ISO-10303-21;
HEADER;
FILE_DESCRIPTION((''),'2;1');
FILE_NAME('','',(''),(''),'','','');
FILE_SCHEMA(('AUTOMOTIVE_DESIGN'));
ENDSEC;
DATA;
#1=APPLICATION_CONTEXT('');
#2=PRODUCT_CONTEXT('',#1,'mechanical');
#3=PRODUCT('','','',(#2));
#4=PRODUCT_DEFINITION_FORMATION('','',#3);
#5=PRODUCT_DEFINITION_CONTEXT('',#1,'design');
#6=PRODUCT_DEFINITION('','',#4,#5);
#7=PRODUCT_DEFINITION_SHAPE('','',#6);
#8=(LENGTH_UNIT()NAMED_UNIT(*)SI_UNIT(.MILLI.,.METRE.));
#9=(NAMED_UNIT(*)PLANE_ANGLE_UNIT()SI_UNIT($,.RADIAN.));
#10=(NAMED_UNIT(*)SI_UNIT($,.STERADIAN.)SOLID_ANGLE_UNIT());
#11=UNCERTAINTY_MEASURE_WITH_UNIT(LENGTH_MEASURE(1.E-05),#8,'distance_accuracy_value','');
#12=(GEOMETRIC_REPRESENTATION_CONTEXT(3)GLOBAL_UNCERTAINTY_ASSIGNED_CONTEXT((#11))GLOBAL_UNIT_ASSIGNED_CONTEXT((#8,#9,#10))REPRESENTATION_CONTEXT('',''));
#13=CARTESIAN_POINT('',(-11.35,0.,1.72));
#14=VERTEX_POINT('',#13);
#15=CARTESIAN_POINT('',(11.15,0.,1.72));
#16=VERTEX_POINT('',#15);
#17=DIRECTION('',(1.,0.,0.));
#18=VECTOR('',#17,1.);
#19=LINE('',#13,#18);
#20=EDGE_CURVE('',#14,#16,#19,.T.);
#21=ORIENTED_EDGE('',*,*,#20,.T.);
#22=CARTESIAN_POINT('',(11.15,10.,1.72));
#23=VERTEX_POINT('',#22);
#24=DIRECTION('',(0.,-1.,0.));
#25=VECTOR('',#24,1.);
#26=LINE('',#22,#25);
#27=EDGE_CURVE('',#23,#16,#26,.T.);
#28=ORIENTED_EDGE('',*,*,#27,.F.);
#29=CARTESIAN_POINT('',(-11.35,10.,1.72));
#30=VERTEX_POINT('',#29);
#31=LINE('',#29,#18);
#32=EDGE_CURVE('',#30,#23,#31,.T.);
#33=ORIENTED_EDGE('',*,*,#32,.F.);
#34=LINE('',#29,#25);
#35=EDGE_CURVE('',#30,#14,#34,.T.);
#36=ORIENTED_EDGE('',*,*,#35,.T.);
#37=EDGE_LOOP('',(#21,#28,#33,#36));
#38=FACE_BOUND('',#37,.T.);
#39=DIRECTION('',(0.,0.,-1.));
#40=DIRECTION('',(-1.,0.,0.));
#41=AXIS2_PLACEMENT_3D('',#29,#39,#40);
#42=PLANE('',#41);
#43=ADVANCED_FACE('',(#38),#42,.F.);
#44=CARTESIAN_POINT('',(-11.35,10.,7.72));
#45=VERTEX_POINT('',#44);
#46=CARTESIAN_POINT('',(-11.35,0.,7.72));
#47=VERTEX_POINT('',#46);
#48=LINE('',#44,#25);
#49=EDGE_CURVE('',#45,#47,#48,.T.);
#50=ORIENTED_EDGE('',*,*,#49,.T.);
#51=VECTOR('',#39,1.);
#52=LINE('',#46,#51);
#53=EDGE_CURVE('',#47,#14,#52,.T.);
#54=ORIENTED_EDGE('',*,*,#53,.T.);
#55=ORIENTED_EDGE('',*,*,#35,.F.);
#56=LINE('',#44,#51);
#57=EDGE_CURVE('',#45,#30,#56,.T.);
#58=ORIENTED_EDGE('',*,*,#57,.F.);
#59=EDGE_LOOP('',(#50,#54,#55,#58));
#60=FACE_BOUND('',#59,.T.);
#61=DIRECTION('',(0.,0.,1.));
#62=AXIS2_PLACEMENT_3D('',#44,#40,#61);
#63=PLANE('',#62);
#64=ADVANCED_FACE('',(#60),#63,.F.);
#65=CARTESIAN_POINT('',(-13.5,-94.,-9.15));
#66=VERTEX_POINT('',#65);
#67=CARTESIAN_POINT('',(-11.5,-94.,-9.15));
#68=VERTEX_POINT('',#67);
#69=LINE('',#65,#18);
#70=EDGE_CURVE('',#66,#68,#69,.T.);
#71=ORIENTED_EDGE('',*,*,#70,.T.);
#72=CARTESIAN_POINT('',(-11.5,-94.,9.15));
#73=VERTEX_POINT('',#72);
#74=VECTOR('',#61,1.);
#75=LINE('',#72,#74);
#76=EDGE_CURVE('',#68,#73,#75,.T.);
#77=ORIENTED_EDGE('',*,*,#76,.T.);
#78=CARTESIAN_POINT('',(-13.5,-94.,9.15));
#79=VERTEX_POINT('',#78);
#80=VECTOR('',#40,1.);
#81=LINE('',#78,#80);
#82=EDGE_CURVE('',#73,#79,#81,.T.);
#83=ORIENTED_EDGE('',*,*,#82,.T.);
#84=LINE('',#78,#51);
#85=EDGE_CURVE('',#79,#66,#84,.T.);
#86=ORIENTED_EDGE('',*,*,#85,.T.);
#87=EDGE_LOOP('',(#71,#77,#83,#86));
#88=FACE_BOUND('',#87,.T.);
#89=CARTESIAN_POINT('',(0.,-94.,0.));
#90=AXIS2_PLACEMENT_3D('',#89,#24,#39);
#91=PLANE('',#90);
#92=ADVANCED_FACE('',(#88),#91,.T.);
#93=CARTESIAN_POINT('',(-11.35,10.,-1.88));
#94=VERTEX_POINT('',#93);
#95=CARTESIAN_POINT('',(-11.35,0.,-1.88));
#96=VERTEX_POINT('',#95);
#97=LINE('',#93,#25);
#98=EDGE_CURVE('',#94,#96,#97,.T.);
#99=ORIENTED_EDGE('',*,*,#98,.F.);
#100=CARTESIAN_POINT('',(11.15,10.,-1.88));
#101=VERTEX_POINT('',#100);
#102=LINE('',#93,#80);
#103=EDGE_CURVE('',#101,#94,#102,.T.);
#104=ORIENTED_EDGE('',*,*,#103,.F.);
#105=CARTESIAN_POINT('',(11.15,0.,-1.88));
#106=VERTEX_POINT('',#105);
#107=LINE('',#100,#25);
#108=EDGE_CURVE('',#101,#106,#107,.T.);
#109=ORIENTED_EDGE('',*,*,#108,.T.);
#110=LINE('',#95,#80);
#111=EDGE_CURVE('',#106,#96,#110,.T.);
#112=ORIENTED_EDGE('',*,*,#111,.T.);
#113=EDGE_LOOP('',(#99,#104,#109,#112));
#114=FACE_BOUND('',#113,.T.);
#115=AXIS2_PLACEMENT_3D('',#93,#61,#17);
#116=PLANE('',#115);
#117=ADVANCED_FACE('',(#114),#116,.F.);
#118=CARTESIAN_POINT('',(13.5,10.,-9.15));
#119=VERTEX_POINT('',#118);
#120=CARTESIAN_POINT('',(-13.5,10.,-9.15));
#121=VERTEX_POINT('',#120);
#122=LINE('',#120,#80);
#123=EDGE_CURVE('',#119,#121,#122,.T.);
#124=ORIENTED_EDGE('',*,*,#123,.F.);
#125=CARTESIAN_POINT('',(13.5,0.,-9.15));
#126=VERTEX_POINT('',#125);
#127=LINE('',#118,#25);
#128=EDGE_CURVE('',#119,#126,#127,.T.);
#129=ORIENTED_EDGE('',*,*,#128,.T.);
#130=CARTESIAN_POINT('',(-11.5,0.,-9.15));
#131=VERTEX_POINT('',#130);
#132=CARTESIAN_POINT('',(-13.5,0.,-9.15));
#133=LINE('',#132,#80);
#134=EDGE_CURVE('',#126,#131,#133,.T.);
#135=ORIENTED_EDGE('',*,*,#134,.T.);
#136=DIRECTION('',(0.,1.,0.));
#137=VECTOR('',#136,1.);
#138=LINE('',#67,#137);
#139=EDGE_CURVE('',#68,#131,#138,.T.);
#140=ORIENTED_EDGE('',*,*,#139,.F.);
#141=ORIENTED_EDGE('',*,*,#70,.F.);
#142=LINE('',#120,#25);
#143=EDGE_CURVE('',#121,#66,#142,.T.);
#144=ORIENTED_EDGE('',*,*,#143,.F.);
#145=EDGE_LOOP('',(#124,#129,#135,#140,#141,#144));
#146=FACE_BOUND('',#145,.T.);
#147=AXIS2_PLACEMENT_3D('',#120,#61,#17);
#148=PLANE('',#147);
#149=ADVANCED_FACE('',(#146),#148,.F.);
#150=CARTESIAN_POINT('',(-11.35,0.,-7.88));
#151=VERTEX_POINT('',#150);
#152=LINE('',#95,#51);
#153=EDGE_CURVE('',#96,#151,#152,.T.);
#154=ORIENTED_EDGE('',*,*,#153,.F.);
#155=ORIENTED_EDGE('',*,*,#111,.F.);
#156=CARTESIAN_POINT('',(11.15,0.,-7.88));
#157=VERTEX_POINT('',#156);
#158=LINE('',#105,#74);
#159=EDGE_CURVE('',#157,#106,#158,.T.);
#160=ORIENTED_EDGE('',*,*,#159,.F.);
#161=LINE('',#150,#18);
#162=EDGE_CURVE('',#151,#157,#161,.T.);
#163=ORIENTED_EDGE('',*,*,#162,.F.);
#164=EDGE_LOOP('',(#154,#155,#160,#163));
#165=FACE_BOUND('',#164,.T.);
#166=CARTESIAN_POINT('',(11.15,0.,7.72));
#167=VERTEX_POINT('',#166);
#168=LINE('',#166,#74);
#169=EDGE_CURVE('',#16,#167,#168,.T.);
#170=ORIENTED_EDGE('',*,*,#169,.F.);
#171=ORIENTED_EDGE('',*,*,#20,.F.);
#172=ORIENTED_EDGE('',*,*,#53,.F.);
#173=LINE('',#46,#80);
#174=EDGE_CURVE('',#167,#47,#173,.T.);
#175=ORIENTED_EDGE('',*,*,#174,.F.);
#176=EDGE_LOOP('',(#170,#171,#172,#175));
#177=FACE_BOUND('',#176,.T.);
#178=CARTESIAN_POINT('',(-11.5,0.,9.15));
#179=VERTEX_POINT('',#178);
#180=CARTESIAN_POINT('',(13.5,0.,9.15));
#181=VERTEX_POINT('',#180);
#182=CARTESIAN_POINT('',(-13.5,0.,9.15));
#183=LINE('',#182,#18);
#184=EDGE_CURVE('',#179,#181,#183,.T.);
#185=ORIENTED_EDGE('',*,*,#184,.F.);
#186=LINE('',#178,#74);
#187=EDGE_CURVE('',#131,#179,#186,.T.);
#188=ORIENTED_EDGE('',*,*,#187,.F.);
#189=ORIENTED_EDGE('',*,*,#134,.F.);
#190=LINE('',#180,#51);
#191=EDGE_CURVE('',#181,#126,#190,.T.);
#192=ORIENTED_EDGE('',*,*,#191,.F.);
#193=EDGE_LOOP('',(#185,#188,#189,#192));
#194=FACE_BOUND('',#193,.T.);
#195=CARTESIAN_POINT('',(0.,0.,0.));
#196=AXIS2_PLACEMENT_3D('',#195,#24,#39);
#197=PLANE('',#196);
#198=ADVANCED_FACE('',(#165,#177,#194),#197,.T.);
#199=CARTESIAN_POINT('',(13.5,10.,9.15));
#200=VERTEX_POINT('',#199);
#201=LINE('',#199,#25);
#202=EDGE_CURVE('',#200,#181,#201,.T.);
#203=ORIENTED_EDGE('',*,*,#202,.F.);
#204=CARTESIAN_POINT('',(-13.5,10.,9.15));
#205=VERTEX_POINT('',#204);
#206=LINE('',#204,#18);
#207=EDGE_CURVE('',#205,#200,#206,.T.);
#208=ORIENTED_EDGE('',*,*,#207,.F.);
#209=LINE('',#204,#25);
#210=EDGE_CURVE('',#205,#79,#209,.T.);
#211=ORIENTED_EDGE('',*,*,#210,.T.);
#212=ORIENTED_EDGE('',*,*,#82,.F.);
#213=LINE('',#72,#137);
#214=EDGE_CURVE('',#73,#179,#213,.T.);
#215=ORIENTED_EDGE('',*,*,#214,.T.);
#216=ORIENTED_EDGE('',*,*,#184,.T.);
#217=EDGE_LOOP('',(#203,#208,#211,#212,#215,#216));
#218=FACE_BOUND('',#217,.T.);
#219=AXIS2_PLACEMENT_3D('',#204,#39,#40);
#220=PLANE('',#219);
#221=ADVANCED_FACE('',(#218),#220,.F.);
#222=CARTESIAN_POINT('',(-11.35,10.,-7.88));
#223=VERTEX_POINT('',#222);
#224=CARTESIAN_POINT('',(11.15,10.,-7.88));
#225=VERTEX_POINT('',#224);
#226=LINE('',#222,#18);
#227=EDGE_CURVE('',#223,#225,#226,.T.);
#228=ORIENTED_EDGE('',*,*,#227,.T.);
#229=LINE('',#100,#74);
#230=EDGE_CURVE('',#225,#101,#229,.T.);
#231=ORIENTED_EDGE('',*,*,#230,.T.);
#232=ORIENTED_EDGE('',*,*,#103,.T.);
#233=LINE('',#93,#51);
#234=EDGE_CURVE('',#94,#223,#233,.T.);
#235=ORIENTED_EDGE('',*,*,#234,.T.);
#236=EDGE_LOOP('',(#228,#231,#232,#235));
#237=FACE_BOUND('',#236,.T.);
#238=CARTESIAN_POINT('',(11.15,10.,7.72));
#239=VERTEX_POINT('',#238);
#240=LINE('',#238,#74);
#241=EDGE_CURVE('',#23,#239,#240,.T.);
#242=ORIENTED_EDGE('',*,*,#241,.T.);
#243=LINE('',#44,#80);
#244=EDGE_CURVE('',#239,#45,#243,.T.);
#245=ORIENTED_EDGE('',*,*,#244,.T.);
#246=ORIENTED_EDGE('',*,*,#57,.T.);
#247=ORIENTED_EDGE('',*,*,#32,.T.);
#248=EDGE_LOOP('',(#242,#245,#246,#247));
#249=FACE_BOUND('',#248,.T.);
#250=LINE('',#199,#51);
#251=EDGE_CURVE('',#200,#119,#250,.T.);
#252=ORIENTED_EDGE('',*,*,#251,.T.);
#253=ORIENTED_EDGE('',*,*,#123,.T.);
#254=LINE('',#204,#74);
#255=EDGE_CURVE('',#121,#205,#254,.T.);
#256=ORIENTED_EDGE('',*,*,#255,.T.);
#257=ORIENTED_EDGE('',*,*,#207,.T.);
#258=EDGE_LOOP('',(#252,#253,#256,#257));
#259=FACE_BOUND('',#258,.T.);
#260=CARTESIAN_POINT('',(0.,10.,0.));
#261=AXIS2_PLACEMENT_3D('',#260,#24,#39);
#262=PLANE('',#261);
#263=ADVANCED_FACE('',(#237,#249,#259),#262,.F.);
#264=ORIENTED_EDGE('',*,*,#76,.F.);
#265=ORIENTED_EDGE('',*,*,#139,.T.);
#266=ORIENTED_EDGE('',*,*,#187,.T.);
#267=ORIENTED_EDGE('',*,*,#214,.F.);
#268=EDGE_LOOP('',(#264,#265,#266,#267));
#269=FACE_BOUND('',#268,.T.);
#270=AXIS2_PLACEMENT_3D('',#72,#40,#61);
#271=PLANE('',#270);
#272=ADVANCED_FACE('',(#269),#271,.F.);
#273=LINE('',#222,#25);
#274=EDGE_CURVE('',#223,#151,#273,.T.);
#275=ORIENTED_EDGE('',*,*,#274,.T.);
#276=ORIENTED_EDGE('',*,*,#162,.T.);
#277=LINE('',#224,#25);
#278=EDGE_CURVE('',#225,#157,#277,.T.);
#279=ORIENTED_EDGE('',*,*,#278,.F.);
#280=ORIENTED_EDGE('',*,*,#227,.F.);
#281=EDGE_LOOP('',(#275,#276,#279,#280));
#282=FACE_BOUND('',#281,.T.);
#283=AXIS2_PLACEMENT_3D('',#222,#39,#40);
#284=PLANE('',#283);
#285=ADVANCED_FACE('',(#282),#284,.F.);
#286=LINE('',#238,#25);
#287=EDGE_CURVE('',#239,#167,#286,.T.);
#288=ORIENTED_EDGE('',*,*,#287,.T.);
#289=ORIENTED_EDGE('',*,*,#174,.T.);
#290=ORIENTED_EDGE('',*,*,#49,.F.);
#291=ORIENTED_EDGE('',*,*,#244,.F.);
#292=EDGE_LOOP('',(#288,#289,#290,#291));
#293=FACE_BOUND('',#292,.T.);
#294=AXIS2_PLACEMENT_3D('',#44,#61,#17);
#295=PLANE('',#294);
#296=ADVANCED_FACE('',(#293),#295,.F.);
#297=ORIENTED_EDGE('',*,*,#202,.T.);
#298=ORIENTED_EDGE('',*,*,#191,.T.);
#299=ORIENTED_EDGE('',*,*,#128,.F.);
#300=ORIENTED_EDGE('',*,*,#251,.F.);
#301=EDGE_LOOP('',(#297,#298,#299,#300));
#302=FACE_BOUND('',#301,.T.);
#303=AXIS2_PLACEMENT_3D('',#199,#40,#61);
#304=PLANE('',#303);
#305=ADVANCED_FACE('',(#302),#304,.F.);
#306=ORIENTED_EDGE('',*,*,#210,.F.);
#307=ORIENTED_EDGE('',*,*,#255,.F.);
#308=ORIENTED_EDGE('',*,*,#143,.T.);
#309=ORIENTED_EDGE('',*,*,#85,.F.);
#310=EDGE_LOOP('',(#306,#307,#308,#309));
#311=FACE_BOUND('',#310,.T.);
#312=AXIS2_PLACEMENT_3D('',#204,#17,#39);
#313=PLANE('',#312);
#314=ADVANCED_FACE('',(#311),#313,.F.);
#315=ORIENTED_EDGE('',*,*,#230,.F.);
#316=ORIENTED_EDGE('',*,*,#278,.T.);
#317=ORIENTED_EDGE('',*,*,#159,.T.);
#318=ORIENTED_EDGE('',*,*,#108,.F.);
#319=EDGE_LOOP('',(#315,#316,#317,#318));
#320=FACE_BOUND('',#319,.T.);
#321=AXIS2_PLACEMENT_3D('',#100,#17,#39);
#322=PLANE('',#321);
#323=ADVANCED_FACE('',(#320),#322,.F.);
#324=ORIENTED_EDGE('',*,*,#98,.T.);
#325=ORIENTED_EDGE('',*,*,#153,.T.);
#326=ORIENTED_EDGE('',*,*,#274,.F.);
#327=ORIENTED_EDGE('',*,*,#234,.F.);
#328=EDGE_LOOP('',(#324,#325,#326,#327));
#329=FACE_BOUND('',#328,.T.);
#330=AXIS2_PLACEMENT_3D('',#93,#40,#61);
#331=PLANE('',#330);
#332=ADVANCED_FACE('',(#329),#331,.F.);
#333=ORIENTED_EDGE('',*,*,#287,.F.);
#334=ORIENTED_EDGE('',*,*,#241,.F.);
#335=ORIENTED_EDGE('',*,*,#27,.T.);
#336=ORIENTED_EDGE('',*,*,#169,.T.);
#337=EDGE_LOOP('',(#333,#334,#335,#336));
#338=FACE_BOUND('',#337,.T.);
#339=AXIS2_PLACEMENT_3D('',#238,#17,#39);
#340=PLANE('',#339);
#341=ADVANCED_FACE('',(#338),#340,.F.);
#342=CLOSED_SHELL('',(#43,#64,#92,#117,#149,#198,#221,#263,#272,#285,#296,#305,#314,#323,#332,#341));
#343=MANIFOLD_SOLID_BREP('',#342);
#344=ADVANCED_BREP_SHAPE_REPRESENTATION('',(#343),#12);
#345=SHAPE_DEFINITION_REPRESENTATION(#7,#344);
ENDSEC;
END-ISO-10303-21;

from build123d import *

# Parameters (mm, degrees)
SKETCH_1_W          = 27
SKETCH_1_H          = 18.3
EXTRUDE_1_DEPTH     = 10
SKETCH_2_W          = 22.5
SKETCH_2_H          = 6
CUT_EXTRUDE_1_DEPTH = 10
SKETCH_3_W          = 2
SKETCH_3_H          = 18.3
EXTRUDE_2_DEPTH     = 94


with BuildPart() as part:
    # 草图1 → 凸台-拉伸1 (new body)
    with BuildSketch(Plane(origin=(0, 0, 0), x_dir=(1, 0, 0), z_dir=(0, 1, 0))):
        Rectangle(SKETCH_1_W, SKETCH_1_H)
    extrude(amount=EXTRUDE_1_DEPTH)

    # 草图2 → 切除-拉伸1 (cut)
    with BuildSketch(Plane.XZ):
        with Locations((-0.1, -4.88)):
            Rectangle(SKETCH_2_W, SKETCH_2_H)
        with Locations((-0.1, 4.72)):
            Rectangle(SKETCH_2_W, SKETCH_2_H)
    extrude(amount=-CUT_EXTRUDE_1_DEPTH, mode=Mode.SUBTRACT)

    # 草图3 → 凸台-拉伸2 (add)
    with BuildSketch(Plane.XZ):
        with Locations((-12.5, 0)):
            Rectangle(SKETCH_3_W, SKETCH_3_H)
    extrude(amount=EXTRUDE_2_DEPTH)


solid = part.part
